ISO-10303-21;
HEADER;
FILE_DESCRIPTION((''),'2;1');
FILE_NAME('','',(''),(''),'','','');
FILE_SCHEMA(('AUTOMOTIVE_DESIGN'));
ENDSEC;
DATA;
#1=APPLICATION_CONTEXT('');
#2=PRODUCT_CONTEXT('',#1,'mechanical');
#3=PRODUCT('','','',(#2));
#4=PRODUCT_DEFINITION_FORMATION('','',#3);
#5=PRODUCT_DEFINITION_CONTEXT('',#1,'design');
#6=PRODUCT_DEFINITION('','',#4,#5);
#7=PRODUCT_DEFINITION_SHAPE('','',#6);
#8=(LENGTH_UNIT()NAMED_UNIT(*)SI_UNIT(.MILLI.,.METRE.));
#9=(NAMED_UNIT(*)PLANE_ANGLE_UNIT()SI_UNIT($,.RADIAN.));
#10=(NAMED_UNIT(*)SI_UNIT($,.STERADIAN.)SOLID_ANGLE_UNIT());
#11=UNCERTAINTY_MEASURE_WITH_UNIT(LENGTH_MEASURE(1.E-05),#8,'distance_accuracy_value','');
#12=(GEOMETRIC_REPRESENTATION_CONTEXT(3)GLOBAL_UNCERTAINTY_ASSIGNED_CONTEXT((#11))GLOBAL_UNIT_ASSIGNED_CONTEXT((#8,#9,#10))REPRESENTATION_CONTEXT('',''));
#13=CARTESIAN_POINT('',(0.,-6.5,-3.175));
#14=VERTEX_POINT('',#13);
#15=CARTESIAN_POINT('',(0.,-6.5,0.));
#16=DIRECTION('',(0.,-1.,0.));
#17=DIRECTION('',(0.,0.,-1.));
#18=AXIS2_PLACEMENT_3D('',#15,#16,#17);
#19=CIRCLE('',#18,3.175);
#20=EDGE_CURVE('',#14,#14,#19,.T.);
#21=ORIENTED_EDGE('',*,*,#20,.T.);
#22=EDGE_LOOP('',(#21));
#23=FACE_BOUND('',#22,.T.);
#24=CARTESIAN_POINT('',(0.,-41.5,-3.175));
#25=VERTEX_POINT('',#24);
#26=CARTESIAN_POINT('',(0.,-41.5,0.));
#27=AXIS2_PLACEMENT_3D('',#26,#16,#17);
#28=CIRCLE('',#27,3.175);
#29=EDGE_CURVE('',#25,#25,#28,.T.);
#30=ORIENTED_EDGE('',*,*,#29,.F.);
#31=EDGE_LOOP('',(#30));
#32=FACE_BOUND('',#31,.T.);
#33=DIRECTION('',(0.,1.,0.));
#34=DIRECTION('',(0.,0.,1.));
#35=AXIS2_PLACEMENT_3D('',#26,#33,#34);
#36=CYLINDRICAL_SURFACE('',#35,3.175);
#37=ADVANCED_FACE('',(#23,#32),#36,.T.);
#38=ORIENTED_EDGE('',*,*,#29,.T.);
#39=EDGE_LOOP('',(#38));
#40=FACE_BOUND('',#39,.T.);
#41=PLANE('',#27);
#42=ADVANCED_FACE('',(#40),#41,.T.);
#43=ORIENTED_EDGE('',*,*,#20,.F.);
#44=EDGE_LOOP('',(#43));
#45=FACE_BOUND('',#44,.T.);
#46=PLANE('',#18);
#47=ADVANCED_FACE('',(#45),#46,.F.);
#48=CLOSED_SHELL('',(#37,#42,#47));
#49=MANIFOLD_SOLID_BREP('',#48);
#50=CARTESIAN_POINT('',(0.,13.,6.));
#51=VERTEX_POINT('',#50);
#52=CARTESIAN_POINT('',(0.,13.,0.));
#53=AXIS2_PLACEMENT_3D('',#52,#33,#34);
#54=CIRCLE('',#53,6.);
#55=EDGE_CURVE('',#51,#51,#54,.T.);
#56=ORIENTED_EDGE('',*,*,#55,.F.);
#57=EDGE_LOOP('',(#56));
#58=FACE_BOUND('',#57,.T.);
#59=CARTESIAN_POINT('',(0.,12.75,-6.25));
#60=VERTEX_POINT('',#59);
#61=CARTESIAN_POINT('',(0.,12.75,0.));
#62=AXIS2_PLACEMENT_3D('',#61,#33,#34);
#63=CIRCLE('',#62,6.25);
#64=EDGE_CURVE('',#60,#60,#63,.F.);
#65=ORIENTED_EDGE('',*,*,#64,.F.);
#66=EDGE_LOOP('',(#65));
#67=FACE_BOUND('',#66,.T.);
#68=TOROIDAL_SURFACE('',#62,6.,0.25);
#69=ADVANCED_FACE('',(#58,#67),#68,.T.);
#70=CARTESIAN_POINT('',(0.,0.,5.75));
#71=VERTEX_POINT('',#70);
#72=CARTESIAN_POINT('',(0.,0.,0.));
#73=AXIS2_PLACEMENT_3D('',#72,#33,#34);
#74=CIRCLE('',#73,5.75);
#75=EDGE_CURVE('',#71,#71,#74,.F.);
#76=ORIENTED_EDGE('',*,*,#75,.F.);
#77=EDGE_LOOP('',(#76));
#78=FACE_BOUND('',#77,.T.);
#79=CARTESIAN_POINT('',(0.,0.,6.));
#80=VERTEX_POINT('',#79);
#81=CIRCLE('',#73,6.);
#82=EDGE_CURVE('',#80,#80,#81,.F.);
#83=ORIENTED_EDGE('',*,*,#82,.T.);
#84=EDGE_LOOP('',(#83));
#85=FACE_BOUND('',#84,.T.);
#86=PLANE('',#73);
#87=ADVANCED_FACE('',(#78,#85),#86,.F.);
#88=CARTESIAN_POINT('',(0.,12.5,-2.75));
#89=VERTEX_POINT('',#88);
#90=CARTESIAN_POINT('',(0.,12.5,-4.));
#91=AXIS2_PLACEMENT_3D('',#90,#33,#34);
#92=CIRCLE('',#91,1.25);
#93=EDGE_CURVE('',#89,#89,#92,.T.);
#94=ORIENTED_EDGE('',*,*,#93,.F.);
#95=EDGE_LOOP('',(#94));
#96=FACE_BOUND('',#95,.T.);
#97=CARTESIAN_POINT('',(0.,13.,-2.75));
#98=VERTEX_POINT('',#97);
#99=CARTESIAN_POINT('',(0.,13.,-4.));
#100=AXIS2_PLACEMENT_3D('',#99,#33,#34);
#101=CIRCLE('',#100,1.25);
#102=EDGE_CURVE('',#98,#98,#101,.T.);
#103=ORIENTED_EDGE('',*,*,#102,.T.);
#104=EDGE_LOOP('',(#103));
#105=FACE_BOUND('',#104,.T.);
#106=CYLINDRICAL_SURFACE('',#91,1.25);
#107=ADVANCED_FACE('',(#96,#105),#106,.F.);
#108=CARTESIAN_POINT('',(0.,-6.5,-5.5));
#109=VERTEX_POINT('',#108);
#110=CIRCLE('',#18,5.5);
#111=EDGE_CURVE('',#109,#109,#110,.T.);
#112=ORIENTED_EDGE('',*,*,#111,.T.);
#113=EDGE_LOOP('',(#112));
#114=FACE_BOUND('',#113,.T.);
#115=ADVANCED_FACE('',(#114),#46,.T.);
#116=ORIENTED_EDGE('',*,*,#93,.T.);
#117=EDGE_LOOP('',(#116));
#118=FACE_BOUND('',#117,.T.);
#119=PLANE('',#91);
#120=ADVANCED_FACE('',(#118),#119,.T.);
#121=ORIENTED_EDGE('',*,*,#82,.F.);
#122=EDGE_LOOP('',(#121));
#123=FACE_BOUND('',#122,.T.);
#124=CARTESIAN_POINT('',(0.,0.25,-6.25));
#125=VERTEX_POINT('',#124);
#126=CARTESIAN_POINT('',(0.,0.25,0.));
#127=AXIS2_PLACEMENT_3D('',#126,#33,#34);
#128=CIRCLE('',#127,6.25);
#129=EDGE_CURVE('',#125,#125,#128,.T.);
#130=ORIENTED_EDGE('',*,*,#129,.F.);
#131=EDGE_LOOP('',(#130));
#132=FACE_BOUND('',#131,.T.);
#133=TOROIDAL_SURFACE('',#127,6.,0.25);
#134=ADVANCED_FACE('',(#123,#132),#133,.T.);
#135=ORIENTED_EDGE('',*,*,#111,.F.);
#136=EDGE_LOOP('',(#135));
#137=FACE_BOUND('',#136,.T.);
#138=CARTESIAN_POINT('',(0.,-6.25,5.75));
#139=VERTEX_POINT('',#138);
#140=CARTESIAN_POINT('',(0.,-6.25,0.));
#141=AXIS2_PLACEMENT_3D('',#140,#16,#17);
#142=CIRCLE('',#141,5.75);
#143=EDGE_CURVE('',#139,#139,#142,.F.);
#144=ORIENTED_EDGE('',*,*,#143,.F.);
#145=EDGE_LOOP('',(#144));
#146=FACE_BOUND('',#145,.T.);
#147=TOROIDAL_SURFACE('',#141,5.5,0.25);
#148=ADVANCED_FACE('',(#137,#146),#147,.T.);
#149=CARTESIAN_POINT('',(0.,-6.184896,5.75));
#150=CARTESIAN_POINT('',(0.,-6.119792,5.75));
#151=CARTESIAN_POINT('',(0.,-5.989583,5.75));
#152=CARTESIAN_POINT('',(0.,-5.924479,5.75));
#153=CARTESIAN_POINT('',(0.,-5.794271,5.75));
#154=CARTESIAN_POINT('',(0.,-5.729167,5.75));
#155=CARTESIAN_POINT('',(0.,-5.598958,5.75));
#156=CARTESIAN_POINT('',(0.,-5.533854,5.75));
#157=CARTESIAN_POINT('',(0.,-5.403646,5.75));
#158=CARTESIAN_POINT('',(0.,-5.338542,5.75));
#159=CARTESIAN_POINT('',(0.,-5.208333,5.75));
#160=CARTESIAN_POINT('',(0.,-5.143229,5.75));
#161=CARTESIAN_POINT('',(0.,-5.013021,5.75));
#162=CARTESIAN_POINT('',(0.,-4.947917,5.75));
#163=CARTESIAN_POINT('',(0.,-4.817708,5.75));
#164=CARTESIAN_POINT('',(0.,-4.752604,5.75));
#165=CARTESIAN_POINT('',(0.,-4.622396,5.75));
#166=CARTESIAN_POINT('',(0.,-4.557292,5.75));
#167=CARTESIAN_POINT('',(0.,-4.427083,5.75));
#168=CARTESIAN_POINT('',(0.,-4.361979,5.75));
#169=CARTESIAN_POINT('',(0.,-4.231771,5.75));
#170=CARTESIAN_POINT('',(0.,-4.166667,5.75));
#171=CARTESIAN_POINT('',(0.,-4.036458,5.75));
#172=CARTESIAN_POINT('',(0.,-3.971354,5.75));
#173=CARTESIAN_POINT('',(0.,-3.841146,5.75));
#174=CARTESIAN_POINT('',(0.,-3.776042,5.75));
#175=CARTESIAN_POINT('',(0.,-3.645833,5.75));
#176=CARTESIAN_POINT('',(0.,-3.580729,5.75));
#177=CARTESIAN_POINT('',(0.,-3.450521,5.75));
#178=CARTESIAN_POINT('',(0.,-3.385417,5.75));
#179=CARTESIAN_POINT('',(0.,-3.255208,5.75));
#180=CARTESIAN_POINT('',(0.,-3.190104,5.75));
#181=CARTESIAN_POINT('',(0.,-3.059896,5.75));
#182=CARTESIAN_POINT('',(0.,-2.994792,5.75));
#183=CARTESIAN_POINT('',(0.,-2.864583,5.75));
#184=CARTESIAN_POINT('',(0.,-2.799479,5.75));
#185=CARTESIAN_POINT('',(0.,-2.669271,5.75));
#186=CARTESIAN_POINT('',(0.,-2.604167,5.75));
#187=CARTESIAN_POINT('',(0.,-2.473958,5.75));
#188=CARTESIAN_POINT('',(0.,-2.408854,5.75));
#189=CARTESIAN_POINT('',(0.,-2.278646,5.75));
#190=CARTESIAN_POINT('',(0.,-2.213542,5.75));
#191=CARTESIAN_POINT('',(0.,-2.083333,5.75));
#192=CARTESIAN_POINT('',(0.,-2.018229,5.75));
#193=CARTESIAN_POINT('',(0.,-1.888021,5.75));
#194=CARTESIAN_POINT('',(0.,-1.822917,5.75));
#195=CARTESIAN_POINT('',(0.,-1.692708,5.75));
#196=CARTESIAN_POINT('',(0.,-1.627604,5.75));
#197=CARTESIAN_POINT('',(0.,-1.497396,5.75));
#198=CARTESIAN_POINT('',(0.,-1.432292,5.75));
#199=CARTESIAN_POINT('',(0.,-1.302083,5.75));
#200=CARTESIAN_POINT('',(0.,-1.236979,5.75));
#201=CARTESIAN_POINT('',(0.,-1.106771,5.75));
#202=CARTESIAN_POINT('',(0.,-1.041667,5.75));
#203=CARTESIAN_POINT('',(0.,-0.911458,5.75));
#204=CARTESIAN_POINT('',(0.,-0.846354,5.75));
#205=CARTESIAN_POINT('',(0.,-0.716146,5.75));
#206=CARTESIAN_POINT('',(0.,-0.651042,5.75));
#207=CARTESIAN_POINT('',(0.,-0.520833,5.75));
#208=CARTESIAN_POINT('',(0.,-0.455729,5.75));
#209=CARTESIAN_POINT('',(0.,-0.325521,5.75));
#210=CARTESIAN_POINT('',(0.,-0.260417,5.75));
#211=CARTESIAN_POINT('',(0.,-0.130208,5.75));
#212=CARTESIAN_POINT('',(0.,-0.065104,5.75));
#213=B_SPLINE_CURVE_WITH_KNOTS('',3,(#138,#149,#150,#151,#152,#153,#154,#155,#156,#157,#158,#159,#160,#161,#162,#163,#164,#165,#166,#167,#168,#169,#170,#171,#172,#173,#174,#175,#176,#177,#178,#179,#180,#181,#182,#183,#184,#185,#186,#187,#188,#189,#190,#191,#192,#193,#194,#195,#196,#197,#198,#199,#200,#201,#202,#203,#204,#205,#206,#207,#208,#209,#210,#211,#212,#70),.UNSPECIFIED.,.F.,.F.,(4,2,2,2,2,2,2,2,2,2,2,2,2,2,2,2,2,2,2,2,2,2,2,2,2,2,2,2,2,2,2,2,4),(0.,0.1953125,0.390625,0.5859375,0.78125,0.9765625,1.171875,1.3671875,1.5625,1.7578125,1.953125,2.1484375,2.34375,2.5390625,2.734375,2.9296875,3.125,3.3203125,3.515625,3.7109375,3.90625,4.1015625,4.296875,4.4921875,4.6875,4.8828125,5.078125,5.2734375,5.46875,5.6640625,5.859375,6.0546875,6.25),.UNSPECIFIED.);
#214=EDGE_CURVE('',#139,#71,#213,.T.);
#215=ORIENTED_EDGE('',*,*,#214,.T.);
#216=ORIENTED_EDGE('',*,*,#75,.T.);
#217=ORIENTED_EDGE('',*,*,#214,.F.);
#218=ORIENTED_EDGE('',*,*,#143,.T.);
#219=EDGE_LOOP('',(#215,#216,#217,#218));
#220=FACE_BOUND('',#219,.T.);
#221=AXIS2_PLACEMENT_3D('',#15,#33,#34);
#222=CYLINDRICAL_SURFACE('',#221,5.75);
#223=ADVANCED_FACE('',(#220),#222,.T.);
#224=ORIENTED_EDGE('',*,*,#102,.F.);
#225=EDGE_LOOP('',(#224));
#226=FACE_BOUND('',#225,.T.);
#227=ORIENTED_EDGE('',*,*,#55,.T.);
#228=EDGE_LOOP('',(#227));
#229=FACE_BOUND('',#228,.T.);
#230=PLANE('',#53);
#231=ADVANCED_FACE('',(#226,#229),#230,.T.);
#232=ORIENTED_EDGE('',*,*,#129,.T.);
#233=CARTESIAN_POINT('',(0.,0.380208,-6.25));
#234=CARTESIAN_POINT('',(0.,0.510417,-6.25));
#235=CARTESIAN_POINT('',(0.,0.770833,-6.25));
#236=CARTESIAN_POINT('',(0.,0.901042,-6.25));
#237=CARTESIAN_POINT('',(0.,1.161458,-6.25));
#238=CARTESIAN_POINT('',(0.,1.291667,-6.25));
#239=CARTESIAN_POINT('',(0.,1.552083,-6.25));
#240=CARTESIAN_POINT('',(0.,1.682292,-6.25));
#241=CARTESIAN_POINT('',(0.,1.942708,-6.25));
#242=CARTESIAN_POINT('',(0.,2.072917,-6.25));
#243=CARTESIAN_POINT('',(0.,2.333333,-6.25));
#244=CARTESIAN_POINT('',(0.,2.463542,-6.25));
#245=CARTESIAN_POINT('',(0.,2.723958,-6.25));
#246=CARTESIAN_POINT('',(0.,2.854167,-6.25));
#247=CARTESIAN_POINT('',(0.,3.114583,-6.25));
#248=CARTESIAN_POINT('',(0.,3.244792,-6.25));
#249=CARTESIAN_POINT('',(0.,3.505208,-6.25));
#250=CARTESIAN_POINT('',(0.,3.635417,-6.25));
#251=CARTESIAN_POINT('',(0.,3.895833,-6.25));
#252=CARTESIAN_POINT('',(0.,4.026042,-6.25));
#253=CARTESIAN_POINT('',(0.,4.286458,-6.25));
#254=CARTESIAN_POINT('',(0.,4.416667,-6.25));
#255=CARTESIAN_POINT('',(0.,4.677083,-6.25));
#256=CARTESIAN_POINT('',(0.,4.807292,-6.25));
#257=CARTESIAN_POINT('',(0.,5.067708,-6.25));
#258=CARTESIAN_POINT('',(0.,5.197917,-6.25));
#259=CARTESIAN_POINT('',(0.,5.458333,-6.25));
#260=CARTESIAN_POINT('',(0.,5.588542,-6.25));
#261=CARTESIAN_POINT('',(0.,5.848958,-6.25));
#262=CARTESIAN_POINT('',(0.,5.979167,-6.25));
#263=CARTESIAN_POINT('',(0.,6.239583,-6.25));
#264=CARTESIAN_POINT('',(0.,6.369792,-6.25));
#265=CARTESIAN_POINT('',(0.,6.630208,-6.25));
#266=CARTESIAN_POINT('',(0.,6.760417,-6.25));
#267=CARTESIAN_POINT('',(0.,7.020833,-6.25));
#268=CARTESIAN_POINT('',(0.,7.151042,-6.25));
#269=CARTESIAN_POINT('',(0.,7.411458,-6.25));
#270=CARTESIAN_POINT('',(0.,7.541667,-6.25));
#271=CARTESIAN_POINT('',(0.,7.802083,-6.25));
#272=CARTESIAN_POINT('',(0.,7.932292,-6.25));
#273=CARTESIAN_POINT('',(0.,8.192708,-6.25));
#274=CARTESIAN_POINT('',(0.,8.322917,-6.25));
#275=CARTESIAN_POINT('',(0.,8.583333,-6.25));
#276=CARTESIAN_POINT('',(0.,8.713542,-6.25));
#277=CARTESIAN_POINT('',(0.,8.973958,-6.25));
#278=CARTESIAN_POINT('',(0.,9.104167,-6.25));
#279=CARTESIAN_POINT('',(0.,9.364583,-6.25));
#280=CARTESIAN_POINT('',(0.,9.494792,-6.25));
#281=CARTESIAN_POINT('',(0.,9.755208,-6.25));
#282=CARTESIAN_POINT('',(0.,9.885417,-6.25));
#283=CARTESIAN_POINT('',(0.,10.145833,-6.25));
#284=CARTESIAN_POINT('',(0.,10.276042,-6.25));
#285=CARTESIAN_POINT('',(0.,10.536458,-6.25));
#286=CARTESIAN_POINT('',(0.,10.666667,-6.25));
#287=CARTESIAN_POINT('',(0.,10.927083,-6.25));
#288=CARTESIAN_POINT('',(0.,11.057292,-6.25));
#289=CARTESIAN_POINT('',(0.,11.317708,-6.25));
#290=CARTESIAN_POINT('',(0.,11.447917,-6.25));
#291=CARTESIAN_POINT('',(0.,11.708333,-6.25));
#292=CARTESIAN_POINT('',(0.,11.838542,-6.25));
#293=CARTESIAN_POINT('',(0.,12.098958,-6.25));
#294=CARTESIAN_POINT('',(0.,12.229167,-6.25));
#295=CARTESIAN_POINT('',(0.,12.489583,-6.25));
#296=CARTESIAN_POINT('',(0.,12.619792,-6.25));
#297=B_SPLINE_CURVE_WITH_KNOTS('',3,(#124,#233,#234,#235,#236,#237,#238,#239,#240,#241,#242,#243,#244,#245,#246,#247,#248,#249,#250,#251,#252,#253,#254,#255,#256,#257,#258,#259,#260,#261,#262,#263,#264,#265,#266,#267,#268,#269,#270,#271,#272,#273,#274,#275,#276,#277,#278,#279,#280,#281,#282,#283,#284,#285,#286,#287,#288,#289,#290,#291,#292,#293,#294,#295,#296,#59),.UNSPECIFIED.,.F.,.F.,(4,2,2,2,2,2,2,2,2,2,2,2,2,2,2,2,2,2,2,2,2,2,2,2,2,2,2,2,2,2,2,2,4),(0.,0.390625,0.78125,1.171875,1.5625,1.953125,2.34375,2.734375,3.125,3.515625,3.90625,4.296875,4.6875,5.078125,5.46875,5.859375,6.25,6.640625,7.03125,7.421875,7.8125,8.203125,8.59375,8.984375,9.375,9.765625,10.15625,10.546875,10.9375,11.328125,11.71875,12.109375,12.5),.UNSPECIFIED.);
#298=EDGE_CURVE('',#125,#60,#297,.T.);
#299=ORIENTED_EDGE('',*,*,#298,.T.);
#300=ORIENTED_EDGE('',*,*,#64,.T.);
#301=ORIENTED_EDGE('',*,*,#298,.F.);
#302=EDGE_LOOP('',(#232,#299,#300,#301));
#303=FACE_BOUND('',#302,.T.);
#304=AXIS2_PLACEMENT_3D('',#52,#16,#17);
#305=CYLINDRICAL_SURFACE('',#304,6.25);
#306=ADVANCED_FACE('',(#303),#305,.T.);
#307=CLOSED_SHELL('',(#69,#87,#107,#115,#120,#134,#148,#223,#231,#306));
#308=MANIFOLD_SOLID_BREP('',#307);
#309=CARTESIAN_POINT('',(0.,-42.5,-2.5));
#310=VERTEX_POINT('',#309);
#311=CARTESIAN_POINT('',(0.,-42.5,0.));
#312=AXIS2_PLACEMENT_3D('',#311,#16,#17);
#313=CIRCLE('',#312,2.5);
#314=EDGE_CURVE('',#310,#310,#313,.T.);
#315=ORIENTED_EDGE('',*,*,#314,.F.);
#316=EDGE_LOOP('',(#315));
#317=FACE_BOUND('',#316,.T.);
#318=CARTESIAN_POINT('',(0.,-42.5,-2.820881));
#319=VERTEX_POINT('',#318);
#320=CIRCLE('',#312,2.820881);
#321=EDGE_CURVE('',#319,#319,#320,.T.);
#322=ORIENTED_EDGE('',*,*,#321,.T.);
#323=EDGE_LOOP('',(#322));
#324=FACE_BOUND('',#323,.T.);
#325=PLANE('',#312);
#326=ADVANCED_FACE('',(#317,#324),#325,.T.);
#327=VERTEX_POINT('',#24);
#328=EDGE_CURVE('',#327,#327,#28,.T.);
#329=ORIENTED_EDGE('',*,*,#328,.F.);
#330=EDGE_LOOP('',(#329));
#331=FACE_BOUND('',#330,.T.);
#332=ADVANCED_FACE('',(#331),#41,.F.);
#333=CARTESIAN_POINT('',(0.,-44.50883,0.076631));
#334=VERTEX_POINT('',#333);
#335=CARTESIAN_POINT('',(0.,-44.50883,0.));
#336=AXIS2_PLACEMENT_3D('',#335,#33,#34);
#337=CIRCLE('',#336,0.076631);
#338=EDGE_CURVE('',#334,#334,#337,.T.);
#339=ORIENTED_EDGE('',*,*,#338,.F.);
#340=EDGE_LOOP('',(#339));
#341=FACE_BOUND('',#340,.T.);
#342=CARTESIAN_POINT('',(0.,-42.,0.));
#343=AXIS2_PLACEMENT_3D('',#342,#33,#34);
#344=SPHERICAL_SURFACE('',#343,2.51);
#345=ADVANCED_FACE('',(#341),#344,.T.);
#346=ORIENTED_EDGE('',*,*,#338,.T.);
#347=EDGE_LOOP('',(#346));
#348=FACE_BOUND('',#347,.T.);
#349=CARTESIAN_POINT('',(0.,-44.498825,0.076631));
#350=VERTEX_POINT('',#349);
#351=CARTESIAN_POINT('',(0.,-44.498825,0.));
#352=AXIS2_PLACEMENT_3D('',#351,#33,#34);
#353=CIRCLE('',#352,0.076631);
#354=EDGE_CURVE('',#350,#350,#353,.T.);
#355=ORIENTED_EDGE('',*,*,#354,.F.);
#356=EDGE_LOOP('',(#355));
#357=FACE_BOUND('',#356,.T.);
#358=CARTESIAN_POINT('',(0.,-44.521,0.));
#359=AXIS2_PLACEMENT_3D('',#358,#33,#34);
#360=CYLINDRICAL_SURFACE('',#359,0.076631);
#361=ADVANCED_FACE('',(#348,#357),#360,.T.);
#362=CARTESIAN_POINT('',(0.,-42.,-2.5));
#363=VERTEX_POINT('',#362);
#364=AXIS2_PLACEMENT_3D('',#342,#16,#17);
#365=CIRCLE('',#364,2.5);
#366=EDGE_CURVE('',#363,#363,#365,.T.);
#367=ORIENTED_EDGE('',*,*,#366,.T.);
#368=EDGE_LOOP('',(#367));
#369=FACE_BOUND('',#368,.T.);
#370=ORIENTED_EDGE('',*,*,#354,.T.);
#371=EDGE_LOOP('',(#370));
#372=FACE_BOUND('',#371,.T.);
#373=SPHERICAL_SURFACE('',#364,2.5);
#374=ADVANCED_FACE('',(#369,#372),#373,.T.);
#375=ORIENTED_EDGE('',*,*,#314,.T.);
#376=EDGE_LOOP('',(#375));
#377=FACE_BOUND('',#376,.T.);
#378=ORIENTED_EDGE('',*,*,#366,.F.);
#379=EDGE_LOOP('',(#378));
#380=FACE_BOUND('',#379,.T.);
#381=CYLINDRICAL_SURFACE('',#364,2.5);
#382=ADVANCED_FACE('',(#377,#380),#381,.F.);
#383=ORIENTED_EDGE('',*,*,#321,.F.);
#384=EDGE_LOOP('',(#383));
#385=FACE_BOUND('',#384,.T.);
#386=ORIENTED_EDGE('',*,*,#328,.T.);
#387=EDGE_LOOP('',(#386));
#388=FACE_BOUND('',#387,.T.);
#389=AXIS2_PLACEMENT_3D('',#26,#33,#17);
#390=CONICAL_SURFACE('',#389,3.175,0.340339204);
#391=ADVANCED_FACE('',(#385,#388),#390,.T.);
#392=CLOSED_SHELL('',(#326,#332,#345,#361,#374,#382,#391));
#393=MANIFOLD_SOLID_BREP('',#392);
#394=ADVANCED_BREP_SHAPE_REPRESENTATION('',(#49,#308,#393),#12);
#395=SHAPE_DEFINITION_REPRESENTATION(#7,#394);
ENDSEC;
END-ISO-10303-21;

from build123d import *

# Parameters (mm, degrees)
SKETCH1_R                    = 6.25
TOP_HEAD_WITH_KNURLING_DEPTH = 13
SKETCH2_R                    = 5.75
FLAT_BOTTOM_OF_HEAD_DEPTH    = 6.5
FILLET1_R                    = 0.25
SKETCH3_R                    = 3.175
SCREW_PIECE_DEPTH            = 35
SKETCH4_R                    = 3.175
DRAFTED_SCREW_END_DEPTH      = 1
DRAFTED_SCREW_END_TAPER      = 19.5
SKETCH6_R                    = 2.5
CUT_EXTRUDE1_DEPTH           = 0.5
REVOLVE3_ANGLE               = 180
SKETCH8_R                    = 1.25
CUT_EXTRUDE2_DEPTH           = 0.5
BOSS_EXTRUDE1_REACH          = 57.706
BOSS_EXTRUDE1_END_RADIUS     = 2.51
SKETCH10_R                   = 0.076631062


with BuildPart() as part:
    # Sketch1 → top head with knurling (new body)
    with BuildSketch(Plane(origin=(0, 0, 0), x_dir=(1, 0, 0), z_dir=(0, 1, 0))):
        with Locations(Location((0, 0, 0), (0, 0, 90))):
            Circle(SKETCH1_R)
    extrude(amount=TOP_HEAD_WITH_KNURLING_DEPTH)

    # Sketch2 → flat bottom of head (add)
    with BuildSketch(Plane.XZ):
        with Locations(Location((0, 0, 0), (0, 0, 90))):
            Circle(SKETCH2_R)
    extrude(amount=FLAT_BOTTOM_OF_HEAD_DEPTH)

    # Fillet1
    fillet1_edges = [part.edges().sort_by_distance(p)[0] for p in [
        (0, 0, 6.25),
        (0, 13, 6.25),
        (0, -6.5, -5.75),
    ]]
    fillet(fillet1_edges, radius=FILLET1_R)

    # Sketch8 → Cut-Extrude2 (cut)
    with BuildSketch(Plane(origin=(0, 13, 0), x_dir=(1, 0, 0), z_dir=(0, 1, 0))):
        with Locations(Location((0, 4, 0), (0, 0, 270))):
            Circle(SKETCH8_R)
    extrude(amount=-CUT_EXTRUDE2_DEPTH, mode=Mode.SUBTRACT)


with BuildPart() as body_2:
    # Sketch3 → screw piece (new body)
    with BuildSketch(Plane.XZ.offset(6.5)):
        with Locations(Location((0, 0, 0), (0, 0, 270))):
            Circle(SKETCH3_R)
    extrude(amount=SCREW_PIECE_DEPTH)


with BuildPart() as body_3:
    # Sketch4 → drafted screw end (new body)
    with BuildSketch(Plane(origin=(0, -41.5, 0), x_dir=(-1, 0, 0), z_dir=(0, -1, 0))):
        with Locations(Location((0, 0, 0), (0, 0, 90))):
            Circle(SKETCH4_R)
    extrude(amount=DRAFTED_SCREW_END_DEPTH, taper=DRAFTED_SCREW_END_TAPER)

    # Sketch6 → Cut-Extrude1 (cut)
    with BuildSketch(Plane.XZ.offset(42.5)):
        with Locations(Location((0, 0, 0), (0, 0, 270))):
            Circle(SKETCH6_R)
    extrude(amount=-CUT_EXTRUDE1_DEPTH, mode=Mode.SUBTRACT)



with BuildPart() as body_4:
    # Sketch7 → Revolve3 (revolve)
    with BuildSketch(Plane(origin=(0, -42, 0), x_dir=(-1, 0, 0), z_dir=(0, -1, 0))):
        with BuildLine():
            Line((2.5, 0), (-2.5, 0))
            ThreePointArc((-2.5, 0), (0, -2.5), (2.5, 0))
        make_face()
    revolve(axis=Axis((-2.5, -42, 0), (1, 0, 0)), revolution_arc=REVOLVE3_ANGLE)


with BuildPart() as body_3_1:
    add(body_3.part)

    add(body_4.part)  # Boss-Extrude1 merges body 4
    # Boss-Extrude1: up to this sphere (the profile starts inside it)
    boss_extrude1_end = Location((0, -42, 0)) * Sphere(BOSS_EXTRUDE1_END_RADIUS, mode=Mode.PRIVATE)
    # Sketch10 → Boss-Extrude1 (add, up to the surface)
    with BuildSketch(Plane.XZ.offset(42), mode=Mode.PRIVATE) as boss_extrude1_sk1:
        with Locations(Location((0, 0, 0), (0, 0, 90))):
            Circle(SKETCH10_R)
    boss_extrude1_tool1 = extrude(boss_extrude1_sk1.sketch, amount=BOSS_EXTRUDE1_REACH, mode=Mode.PRIVATE) & boss_extrude1_end
    add(boss_extrude1_tool1.solids().sort_by_distance((0, -42, 0))[0])


solid = Compound([part.part, body_2.part, body_3_1.part])
